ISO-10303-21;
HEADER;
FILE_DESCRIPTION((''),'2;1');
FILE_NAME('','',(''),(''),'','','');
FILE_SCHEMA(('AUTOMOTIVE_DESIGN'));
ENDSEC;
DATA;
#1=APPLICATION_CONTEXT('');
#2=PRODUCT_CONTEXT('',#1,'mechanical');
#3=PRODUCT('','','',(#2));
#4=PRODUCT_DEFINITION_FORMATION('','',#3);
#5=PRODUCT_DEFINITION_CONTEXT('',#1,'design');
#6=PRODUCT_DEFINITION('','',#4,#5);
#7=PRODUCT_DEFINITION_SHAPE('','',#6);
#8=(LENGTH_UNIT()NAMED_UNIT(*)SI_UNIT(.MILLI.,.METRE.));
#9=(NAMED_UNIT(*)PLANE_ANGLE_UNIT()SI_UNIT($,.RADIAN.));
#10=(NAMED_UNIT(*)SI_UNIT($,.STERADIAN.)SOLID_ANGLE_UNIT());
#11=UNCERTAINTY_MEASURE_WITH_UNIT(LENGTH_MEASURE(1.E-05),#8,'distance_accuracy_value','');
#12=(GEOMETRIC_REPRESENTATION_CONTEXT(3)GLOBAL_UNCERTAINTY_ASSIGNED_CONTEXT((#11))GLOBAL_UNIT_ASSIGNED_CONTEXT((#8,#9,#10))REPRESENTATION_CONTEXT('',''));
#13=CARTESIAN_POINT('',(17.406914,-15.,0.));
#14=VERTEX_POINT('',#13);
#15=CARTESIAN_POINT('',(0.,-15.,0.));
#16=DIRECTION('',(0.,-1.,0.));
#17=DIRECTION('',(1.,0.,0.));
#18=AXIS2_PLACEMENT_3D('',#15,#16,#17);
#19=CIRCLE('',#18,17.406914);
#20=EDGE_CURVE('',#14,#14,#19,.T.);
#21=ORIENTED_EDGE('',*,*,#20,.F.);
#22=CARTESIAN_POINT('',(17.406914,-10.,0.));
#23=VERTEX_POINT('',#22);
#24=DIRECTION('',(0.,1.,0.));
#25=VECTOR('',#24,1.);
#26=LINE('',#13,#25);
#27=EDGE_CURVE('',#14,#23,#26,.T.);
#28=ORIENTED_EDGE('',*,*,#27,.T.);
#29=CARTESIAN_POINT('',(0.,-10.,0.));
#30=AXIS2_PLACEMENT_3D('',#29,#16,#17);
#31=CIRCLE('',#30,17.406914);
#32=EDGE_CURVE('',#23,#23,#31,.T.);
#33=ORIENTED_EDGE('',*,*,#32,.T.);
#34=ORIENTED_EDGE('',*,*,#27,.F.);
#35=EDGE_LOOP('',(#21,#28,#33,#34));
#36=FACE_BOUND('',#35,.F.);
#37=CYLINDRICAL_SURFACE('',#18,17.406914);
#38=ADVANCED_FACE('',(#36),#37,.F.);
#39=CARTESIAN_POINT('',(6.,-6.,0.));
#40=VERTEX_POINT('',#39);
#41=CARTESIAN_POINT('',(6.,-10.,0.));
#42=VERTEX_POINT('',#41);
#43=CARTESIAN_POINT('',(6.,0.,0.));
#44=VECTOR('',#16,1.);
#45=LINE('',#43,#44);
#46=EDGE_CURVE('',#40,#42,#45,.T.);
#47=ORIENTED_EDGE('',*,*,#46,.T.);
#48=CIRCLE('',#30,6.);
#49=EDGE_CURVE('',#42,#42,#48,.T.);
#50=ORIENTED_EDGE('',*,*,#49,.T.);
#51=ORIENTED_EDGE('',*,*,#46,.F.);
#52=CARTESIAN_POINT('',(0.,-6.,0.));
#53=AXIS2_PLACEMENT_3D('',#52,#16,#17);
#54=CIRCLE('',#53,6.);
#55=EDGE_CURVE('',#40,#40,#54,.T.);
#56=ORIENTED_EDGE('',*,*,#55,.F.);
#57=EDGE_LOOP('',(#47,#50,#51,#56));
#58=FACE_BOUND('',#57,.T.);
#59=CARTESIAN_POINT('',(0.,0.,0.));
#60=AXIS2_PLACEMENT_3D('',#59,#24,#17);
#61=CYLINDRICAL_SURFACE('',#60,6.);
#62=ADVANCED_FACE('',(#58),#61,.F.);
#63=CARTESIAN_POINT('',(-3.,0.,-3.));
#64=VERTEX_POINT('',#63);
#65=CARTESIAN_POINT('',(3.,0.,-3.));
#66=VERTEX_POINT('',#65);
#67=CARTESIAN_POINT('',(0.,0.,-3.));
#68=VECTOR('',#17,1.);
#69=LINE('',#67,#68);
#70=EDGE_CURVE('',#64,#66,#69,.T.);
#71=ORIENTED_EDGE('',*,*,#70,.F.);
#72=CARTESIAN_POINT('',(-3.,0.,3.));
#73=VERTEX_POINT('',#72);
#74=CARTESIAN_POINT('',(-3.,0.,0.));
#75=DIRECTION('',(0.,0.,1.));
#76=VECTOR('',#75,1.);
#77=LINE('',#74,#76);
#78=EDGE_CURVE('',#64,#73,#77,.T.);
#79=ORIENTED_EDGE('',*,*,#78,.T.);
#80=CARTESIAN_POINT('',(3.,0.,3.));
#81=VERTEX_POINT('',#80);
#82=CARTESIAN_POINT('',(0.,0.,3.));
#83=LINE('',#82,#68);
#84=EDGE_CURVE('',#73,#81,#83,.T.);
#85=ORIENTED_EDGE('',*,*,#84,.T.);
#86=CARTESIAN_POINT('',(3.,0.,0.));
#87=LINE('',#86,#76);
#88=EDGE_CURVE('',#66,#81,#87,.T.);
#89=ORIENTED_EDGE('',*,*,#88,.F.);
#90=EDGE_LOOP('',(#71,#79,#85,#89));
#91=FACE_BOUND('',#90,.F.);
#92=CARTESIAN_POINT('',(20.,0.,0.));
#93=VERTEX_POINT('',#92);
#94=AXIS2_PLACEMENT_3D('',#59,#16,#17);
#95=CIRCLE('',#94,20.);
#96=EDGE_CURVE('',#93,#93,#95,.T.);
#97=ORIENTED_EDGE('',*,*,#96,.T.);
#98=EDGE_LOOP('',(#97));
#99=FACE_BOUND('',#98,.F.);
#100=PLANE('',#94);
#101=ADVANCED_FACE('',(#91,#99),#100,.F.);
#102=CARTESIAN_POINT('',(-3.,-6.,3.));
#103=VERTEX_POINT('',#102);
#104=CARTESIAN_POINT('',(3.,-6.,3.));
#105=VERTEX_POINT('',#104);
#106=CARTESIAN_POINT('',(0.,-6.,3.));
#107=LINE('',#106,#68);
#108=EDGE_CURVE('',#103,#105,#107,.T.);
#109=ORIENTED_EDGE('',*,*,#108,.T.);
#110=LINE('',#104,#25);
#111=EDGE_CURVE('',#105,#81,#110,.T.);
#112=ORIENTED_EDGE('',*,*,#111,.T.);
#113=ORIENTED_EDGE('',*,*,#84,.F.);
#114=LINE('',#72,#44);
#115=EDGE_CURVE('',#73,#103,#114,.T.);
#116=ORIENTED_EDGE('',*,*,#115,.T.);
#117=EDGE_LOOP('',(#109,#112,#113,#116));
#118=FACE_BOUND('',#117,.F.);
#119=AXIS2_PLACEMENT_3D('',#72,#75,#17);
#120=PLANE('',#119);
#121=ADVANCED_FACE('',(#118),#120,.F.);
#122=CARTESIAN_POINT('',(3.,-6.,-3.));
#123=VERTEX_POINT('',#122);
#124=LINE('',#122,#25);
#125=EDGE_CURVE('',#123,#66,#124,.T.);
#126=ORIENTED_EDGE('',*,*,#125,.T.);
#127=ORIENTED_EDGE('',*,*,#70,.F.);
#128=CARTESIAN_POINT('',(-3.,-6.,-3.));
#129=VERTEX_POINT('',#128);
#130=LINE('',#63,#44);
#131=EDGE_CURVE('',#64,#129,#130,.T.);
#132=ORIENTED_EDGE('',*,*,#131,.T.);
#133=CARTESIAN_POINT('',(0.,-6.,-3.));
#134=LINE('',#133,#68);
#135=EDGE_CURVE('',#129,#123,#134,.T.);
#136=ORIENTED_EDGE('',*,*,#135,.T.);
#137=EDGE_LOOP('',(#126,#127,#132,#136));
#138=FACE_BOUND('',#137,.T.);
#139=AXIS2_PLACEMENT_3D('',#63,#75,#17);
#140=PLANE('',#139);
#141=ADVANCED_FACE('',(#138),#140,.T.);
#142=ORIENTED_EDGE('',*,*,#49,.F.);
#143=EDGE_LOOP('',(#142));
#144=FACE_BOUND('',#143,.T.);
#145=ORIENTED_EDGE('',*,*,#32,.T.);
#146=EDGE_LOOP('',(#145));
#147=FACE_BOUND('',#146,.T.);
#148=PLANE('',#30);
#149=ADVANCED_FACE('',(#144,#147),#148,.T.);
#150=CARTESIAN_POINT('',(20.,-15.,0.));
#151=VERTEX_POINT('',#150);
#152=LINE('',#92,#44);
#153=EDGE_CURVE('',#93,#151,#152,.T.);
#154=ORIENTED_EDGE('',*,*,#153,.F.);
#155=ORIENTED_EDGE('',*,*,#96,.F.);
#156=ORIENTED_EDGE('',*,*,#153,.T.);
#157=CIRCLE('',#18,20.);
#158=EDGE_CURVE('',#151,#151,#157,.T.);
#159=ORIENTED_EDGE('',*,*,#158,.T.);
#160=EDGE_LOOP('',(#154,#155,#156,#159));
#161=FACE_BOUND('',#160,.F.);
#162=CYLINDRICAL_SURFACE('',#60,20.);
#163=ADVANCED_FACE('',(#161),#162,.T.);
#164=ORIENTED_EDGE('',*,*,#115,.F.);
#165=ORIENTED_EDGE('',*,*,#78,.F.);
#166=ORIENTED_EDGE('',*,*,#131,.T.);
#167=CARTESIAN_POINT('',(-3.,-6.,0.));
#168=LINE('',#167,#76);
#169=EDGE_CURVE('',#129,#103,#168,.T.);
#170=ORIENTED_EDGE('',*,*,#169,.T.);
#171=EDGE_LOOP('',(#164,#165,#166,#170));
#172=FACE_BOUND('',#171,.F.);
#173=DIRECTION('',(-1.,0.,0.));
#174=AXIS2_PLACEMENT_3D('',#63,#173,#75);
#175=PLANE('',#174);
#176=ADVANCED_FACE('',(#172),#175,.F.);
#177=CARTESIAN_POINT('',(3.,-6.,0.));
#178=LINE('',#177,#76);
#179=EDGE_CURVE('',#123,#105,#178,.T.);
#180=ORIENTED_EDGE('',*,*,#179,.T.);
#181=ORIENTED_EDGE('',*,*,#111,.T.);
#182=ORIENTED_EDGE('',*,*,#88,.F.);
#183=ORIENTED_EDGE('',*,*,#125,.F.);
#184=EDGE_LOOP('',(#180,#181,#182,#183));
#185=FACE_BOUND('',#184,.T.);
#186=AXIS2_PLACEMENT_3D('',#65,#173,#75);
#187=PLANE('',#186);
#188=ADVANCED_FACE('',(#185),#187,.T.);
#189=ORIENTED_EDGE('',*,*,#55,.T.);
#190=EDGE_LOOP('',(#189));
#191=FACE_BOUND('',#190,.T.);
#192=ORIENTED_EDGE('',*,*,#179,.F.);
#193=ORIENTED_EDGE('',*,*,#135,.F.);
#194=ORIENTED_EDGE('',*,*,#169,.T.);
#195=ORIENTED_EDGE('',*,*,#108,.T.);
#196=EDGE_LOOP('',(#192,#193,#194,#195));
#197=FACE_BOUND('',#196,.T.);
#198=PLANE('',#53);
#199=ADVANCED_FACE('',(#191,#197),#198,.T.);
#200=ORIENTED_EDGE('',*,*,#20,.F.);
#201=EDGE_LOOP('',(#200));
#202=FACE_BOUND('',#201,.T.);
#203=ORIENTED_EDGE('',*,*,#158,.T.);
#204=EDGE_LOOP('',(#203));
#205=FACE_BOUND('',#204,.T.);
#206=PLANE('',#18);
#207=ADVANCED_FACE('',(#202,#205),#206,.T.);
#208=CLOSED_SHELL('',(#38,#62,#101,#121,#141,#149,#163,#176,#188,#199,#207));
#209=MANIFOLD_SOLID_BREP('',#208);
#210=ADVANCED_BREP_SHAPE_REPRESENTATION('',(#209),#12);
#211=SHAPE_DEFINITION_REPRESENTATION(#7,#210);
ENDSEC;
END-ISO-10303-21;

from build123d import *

# Parameters (mm, degrees)
F0_R     = 6
F0_W     = 6
F0_H     = 6
F1_DEPTH = 6
F0_R_2   = 17.2321789882
F2_DEPTH = 5
F3_DEPTH = 5
F0_R_3   = 20
F4_DEPTH = 15
F5_R     = 17.4069138817
F5_R_2   = 6
F6_DEPTH = 5


with BuildPart() as f1:
    # F0 (on Front) → F1 (new body)
    with BuildSketch(Plane.XZ):
        Circle(F0_R)
        Rectangle(F0_W, F0_H, mode=Mode.SUBTRACT)
    extrude(amount=F1_DEPTH)

    # F0 (on Front) → F2 (join)
    with BuildSketch(Plane.XZ):
        Circle(F0_R_2)
        Circle(F0_R, mode=Mode.SUBTRACT)
    extrude(amount=F2_DEPTH)

    # F0 (on Front) → F3 (join)
    with BuildSketch(Plane.XZ):
        Circle(F0_R)
        Rectangle(F0_W, F0_H, mode=Mode.SUBTRACT)
    extrude(amount=F3_DEPTH)

    # F0 (on Front) → F4 (join)
    with BuildSketch(Plane.XZ):
        Circle(F0_R_3)
        Circle(F0_R_2, mode=Mode.SUBTRACT)
        Circle(F0_R_2)
        Circle(F0_R, mode=Mode.SUBTRACT)
    extrude(amount=F4_DEPTH)

    # F5 (on face) → F6 (cut)
    with BuildSketch(Plane.XZ.offset(15)):
        Circle(F5_R)
        Circle(F5_R_2, mode=Mode.SUBTRACT)
    extrude(amount=-F6_DEPTH, mode=Mode.SUBTRACT)


solid = f1.part
